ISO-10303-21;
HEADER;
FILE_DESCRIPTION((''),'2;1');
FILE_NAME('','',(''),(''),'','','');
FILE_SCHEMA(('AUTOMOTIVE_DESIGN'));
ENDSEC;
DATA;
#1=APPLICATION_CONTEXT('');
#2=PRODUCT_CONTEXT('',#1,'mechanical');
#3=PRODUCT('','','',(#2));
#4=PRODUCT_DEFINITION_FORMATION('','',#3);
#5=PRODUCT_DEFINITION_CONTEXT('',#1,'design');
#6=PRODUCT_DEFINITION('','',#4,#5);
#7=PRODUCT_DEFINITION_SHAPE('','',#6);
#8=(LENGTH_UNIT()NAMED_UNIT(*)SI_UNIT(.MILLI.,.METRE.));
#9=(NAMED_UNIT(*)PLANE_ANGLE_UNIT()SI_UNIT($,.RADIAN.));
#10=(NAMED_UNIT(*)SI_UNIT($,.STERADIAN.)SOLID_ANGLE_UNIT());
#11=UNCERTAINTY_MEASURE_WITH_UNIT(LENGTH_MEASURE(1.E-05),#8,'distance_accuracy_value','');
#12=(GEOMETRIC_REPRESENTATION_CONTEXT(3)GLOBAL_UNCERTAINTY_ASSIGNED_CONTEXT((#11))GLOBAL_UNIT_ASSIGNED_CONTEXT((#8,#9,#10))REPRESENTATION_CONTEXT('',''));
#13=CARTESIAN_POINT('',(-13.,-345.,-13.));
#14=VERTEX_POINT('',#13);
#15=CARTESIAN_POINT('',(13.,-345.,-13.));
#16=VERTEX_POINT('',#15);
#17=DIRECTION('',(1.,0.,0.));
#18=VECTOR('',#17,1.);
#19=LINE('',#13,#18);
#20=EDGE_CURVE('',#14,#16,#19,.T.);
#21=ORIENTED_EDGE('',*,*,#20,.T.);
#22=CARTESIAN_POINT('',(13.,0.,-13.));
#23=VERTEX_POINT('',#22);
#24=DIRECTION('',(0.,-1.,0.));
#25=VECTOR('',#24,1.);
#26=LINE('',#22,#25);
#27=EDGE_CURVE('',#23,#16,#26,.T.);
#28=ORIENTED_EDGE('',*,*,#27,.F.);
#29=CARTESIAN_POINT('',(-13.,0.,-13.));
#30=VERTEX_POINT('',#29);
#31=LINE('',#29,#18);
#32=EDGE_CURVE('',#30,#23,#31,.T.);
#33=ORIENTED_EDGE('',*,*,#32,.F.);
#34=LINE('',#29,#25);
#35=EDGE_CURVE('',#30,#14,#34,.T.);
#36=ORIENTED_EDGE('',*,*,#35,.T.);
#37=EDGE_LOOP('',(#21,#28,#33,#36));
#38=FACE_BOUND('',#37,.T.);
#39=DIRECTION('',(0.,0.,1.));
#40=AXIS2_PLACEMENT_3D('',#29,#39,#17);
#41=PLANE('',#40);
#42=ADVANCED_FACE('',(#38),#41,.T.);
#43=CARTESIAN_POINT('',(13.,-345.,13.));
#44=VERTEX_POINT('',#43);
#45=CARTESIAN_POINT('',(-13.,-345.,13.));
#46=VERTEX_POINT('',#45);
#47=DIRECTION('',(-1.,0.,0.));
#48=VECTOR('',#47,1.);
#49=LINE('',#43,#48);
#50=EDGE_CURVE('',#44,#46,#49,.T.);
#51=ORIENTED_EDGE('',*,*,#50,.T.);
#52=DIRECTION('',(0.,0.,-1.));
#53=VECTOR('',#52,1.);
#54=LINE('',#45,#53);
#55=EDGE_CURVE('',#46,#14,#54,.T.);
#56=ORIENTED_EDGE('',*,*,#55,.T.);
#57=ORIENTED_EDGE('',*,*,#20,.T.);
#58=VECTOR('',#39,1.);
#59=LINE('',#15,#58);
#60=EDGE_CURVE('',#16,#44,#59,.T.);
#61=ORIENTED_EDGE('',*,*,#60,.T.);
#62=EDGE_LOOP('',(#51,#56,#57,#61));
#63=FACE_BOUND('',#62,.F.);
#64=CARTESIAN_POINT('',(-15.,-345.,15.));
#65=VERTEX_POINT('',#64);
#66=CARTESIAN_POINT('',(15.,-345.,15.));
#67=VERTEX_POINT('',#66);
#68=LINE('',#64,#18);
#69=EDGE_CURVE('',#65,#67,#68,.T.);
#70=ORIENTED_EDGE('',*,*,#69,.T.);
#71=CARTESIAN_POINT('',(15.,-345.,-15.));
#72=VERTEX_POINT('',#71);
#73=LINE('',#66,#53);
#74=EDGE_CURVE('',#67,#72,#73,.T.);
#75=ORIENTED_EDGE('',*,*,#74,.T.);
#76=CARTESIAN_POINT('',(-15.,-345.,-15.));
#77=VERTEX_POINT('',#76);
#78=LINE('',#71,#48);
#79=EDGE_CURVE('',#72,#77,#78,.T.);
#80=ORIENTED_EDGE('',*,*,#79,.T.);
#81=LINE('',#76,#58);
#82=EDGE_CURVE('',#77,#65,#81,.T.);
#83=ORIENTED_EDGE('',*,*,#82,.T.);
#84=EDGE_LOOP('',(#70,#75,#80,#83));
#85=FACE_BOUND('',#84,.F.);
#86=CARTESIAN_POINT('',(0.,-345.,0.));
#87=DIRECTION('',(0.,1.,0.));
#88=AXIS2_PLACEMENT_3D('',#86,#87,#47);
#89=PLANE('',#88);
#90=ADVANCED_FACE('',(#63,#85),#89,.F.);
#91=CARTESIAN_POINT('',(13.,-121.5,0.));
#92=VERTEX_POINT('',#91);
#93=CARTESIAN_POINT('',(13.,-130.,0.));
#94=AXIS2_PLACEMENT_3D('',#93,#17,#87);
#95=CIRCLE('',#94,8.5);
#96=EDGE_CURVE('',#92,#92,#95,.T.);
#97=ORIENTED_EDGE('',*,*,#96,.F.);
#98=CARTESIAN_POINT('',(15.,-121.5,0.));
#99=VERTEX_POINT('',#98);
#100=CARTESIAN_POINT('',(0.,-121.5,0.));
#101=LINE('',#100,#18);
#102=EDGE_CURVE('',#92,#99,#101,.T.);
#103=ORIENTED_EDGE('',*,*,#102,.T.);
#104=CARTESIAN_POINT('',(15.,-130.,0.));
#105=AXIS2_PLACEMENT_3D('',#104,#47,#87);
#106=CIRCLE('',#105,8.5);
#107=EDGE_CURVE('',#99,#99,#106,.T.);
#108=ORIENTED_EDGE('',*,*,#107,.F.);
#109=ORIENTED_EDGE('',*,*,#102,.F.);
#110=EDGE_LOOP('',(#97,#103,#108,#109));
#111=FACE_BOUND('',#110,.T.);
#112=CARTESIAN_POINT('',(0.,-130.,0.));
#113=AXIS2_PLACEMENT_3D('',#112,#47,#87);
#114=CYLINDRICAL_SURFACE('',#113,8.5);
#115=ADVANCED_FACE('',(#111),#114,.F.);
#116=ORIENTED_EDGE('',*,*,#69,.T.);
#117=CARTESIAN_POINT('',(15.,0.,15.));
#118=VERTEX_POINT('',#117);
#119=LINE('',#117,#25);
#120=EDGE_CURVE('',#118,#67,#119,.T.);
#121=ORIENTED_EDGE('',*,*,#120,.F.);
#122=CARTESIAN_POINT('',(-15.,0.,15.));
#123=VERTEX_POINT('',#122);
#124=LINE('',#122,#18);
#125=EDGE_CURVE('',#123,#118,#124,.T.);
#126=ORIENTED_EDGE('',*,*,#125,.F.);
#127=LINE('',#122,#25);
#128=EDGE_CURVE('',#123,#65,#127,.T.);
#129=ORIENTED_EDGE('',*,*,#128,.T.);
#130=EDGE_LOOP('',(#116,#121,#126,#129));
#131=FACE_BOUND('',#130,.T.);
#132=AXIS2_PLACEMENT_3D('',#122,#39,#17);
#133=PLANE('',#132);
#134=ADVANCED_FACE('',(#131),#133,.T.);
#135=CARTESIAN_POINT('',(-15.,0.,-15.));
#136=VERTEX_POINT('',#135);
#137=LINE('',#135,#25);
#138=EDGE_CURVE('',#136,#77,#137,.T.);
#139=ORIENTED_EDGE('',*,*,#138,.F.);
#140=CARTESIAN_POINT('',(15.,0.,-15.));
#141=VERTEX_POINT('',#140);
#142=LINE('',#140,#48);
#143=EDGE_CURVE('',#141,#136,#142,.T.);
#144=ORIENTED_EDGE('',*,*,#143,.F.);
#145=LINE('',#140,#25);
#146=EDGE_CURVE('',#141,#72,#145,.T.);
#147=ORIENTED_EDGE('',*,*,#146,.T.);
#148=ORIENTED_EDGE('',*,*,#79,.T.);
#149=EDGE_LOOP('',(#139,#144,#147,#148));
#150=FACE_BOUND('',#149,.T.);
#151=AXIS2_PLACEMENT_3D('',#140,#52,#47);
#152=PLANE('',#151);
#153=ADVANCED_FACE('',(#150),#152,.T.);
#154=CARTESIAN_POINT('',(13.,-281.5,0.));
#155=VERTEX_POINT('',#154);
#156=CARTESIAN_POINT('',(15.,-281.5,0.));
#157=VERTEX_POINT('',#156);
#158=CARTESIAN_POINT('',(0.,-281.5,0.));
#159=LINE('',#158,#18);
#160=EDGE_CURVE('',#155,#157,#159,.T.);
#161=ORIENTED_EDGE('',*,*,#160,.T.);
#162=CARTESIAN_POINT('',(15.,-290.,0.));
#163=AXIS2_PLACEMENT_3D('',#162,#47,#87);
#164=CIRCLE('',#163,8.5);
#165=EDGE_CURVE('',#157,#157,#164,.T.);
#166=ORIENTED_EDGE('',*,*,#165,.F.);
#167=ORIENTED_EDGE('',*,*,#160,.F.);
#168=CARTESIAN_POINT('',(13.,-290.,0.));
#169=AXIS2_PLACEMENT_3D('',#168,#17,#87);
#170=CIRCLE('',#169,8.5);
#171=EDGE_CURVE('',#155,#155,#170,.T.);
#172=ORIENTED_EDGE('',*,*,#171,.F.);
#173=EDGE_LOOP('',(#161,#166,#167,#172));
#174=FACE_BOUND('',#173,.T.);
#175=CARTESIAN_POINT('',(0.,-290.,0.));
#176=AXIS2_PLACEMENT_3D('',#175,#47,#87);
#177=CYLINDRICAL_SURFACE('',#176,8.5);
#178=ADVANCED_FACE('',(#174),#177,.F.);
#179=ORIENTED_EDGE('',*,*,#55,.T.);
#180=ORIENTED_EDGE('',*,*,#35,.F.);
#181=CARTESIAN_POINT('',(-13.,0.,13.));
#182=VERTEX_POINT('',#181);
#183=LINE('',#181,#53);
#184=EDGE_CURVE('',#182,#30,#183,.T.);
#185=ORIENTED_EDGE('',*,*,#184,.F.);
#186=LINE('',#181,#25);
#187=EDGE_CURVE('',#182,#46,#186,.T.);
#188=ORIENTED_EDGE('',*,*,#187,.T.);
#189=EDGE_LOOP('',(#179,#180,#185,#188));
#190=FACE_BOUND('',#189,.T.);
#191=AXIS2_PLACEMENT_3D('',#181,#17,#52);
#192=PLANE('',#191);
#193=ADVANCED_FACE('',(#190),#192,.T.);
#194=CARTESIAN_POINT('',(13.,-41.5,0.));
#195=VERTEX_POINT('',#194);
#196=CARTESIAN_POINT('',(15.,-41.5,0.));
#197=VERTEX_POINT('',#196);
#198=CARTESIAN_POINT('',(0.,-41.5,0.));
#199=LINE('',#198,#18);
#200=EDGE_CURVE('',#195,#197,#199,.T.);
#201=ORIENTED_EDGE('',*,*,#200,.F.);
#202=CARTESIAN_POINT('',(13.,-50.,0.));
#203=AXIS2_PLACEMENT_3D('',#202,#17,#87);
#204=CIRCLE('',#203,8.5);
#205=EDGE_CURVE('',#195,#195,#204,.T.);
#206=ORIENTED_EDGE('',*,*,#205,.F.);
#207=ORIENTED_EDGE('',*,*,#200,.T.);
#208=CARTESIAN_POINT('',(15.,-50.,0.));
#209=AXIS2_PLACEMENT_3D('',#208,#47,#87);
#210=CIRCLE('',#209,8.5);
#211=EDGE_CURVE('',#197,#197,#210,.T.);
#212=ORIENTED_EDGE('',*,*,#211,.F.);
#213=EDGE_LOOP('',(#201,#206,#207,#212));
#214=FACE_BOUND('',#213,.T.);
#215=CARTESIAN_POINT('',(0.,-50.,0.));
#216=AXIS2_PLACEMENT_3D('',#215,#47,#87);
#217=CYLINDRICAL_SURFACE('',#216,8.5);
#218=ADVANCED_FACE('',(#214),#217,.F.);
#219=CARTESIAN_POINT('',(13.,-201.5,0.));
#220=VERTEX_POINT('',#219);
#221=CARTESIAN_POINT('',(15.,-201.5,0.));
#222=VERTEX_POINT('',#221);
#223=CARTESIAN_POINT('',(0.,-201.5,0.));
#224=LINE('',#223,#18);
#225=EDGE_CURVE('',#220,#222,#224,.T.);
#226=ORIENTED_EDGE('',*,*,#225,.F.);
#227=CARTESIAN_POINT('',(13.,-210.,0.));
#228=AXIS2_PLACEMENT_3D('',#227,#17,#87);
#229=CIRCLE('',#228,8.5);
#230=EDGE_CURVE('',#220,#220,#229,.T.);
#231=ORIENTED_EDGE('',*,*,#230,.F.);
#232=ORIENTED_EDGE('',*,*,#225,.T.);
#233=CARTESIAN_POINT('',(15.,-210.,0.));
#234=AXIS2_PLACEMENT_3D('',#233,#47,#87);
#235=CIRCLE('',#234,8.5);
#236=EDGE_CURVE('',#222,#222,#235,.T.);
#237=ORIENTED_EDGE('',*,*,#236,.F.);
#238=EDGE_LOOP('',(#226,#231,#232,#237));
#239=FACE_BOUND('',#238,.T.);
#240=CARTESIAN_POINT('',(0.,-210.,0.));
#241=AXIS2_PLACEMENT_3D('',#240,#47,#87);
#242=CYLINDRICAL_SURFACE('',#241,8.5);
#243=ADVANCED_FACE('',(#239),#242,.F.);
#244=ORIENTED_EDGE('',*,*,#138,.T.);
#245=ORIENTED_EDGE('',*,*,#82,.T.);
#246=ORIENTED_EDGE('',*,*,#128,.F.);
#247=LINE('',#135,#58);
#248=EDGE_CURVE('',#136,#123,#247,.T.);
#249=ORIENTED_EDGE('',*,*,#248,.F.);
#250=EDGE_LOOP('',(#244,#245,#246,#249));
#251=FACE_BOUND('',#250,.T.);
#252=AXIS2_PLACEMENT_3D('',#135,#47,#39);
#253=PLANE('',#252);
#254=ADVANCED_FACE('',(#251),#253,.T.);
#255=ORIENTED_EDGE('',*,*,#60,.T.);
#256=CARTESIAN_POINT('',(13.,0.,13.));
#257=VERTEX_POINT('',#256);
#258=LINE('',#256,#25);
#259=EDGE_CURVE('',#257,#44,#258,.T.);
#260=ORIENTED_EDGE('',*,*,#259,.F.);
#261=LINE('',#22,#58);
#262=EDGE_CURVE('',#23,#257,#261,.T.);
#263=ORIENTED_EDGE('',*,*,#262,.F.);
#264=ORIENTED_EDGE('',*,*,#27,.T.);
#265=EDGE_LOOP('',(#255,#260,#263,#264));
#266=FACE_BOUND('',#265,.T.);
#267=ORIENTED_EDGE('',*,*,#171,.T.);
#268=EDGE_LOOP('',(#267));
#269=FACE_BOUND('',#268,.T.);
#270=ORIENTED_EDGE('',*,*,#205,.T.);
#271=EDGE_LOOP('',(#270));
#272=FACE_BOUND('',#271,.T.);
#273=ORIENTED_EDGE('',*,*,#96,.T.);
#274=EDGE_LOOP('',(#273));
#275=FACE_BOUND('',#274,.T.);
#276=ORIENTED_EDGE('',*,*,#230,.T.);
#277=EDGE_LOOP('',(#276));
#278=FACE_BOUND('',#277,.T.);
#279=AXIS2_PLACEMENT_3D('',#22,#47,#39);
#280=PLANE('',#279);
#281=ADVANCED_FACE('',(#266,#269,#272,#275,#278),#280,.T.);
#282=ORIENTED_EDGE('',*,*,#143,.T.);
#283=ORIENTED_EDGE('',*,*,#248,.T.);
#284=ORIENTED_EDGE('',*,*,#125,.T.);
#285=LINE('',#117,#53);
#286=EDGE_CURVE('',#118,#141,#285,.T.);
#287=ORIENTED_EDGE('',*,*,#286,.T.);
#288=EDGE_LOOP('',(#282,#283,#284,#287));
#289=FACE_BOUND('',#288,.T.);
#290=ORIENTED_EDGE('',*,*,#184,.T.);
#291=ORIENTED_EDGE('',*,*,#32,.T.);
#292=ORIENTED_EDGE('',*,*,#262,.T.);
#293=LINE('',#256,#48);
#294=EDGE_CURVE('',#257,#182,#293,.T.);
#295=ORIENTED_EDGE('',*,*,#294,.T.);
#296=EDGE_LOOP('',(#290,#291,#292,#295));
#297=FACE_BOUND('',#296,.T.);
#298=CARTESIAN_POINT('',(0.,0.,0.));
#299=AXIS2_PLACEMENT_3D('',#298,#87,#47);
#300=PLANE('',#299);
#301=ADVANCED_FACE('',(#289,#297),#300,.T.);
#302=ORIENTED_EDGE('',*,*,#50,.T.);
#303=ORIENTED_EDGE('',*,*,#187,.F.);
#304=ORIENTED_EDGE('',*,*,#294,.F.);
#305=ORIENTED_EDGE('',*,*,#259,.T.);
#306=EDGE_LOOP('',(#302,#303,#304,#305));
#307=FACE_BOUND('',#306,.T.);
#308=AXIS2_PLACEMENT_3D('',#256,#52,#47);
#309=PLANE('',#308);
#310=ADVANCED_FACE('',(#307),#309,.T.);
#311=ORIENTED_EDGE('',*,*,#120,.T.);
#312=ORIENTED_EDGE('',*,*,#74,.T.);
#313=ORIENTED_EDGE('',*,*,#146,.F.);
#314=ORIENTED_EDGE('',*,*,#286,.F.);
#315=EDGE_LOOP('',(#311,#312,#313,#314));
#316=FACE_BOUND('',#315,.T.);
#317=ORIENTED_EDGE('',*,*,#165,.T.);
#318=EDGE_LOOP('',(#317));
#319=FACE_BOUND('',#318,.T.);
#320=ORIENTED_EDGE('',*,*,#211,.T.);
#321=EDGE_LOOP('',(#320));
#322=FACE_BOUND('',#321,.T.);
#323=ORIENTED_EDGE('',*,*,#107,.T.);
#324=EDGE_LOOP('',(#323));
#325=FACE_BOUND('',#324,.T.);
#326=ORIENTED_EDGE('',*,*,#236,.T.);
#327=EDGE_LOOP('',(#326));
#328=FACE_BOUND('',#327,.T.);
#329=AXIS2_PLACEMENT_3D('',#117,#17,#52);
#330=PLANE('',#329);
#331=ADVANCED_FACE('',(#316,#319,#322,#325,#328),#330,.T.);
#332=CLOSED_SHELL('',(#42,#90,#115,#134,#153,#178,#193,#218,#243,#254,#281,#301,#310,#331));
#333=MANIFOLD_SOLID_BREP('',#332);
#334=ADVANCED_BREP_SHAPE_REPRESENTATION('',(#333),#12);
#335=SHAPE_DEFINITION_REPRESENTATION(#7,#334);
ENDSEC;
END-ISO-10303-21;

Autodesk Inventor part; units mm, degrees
ref_plane "YZ Plane" through (0, 0, 0) normal (1, 0, 0) x (0, 1, 0)
ref_plane "XZ Plane" through (0, 0, 0) normal (0, 1, 0) x (-1, 0, 0)
ref_plane "XY Plane" through (0, 0, 0) normal (0, 0, 1) x (1, 0, 0)
sketch "Sketch9" plane through (0, 0, 0) normal (0, 1, 0) x (-1, 0, 0)
  line L0 (15, 15) -> (-15, 15)
  line L1 (-15, 15) -> (-15, -15)
  line L2 (-15, -15) -> (15, -15)
  line L3 (15, -15) -> (15, 15)
  line L4 (15, 15) -> (-15, -15) construction
  line L5 (-15, 15) -> (15, -15) construction
  line L6 (-13, 13) -> (13, 13)
  line L7 (13, 13) -> (13, -13)
  line L8 (13, -13) -> (-13, -13)
  line L9 (-13, -13) -> (-13, 13)
  point P0 (0, 0)
  dimension "d172" = 30
  dimension "d173" = 30
  dimension "d174" = 2
extrude "Extrusion3" add sketch "Sketch9" against normal blind 345
sketch "Sketch10" plane through (0, 0, 0) normal (1, 0, 0) x (0, 1, 0)
  line L0 (0, 15) -> (0, -15) construction
  line L1 (0, 15) -> (-345, 15) construction
  line L2 (0, -15) -> (-345, -15) construction
  line L3 (-58.5, 8.5) -> (-41.5, 8.5)
  line L4 (-41.5, 8.5) -> (-41.5, -8.5)
  line L5 (-41.5, -8.5) -> (-58.5, -8.5)
  line L6 (-58.5, -8.5) -> (-58.5, 8.5)
  line L7 (-58.5, 8.5) -> (-41.5, -8.5) construction
  line L8 (-41.5, 8.5) -> (-58.5, -8.5) construction
  line L9 (0, 0) -> (30, 0)
  circle A0 centre (-50, 0) radius 8.5
  dimension "d177" = 17
  dimension "d178" = 17
  dimension "d181" = 30
  dimension "d182" = 80
extrude "Extrusion4" cut sketch "Sketch10" along normal through all contours A0
pattern_linear "Rectangular Pattern4" count 4 spacing 80 along (0, -1, 0) of "Extrusion4"
properties part number "PRS 8662 FDS 1000 way tube 2_D940" material "Stainless Steel"
